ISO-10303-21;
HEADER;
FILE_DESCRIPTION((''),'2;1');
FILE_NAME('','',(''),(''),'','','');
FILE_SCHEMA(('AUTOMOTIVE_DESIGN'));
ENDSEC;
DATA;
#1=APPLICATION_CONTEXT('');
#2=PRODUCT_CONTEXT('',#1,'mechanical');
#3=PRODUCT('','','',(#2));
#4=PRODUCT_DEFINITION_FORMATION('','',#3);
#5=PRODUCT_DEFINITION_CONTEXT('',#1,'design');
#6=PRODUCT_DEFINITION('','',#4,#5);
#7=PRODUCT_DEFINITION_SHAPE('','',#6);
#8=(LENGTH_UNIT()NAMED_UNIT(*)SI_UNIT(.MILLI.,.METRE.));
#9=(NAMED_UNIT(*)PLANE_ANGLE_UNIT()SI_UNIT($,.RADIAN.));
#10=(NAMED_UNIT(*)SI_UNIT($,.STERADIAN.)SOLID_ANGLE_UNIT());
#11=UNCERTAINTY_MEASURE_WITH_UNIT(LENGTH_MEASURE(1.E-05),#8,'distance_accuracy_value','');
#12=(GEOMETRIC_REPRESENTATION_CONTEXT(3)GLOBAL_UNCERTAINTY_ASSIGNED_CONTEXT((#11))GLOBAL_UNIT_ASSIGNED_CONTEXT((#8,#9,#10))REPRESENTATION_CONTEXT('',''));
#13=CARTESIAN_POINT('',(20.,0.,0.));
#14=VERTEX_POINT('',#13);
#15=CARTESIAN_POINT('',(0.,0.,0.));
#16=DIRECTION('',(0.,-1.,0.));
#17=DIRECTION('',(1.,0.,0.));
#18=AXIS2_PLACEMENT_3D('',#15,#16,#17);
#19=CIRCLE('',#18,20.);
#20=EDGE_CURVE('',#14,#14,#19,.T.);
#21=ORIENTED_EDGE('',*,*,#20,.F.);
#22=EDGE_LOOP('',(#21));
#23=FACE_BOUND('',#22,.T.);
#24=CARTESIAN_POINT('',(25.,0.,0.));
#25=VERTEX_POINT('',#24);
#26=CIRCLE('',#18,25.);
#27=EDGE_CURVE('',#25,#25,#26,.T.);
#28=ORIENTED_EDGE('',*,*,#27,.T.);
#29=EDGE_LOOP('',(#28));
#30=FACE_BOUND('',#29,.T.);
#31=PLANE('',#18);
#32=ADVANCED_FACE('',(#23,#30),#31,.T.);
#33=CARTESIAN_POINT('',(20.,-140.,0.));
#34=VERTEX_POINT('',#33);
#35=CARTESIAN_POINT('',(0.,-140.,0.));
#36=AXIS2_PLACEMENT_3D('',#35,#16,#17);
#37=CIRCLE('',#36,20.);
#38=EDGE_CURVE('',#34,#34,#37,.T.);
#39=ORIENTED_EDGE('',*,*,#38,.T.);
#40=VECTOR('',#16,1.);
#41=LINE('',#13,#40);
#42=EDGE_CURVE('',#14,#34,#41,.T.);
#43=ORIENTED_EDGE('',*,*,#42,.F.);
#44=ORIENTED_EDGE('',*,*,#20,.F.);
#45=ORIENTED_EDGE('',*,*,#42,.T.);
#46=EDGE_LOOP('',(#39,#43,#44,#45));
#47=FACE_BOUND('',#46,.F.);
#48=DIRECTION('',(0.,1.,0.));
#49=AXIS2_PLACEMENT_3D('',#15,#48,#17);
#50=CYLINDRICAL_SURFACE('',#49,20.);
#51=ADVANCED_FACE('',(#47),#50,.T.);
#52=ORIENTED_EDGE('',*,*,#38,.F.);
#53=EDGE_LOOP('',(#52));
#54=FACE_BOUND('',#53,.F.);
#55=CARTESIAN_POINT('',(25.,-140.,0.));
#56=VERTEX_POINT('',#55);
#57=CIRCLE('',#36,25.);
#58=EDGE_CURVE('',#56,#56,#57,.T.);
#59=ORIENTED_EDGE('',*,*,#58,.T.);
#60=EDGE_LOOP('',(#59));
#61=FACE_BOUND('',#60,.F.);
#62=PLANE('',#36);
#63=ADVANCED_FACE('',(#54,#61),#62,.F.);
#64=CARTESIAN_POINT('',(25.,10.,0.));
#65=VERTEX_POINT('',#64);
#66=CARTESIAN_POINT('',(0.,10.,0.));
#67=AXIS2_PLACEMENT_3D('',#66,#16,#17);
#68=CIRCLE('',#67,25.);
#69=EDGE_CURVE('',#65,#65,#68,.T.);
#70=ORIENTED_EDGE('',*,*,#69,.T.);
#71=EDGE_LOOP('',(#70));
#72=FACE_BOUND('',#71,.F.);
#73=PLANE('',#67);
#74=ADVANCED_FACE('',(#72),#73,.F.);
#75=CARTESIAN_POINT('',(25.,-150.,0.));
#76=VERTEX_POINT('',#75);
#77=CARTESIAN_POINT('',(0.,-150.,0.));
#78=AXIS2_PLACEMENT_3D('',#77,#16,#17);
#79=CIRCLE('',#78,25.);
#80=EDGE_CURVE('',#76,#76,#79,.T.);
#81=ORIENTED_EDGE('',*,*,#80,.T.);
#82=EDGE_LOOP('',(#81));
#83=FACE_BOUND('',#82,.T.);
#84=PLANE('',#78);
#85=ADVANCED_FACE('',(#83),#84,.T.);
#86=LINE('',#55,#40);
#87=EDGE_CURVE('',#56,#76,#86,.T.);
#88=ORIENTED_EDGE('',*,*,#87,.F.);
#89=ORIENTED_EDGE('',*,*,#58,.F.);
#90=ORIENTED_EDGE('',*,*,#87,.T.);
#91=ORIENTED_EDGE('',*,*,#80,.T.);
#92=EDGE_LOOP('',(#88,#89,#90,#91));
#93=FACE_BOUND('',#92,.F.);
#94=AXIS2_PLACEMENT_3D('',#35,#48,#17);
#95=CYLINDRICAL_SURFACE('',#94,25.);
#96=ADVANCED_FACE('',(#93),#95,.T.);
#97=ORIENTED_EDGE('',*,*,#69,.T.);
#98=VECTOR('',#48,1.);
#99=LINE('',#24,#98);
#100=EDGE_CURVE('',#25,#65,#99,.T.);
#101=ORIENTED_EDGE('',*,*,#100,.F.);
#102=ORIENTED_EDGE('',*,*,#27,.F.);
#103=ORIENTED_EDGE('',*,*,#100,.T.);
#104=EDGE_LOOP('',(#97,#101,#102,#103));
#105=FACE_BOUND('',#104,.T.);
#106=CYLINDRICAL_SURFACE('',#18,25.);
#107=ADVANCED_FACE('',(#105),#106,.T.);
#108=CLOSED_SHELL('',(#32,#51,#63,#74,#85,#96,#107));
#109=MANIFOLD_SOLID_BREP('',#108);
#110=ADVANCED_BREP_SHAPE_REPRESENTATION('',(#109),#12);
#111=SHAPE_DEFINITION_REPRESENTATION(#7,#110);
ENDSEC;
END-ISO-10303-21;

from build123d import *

# Parameters (mm, degrees)
F0_R     = 20
F1_DEPTH = 140
F0_R_2   = 25
F2_DEPTH = 10
F3_R     = 25
F4_DEPTH = 10


with BuildPart() as f1:
    # F0 (on Front) → F1 (new body)
    with BuildSketch(Plane.XZ):
        Circle(F0_R)
    extrude(amount=F1_DEPTH)

    # F0 (on Front) → F2 (join)
    with BuildSketch(Plane.XZ):
        Circle(F0_R_2)
        Circle(F0_R, mode=Mode.SUBTRACT)
        Circle(F0_R)
    extrude(amount=-F2_DEPTH)

    # F3 (on face) → F4 (join)
    with BuildSketch(Plane.XZ.offset(140)):
        Circle(F3_R)
    extrude(amount=F4_DEPTH)


solid = f1.part
